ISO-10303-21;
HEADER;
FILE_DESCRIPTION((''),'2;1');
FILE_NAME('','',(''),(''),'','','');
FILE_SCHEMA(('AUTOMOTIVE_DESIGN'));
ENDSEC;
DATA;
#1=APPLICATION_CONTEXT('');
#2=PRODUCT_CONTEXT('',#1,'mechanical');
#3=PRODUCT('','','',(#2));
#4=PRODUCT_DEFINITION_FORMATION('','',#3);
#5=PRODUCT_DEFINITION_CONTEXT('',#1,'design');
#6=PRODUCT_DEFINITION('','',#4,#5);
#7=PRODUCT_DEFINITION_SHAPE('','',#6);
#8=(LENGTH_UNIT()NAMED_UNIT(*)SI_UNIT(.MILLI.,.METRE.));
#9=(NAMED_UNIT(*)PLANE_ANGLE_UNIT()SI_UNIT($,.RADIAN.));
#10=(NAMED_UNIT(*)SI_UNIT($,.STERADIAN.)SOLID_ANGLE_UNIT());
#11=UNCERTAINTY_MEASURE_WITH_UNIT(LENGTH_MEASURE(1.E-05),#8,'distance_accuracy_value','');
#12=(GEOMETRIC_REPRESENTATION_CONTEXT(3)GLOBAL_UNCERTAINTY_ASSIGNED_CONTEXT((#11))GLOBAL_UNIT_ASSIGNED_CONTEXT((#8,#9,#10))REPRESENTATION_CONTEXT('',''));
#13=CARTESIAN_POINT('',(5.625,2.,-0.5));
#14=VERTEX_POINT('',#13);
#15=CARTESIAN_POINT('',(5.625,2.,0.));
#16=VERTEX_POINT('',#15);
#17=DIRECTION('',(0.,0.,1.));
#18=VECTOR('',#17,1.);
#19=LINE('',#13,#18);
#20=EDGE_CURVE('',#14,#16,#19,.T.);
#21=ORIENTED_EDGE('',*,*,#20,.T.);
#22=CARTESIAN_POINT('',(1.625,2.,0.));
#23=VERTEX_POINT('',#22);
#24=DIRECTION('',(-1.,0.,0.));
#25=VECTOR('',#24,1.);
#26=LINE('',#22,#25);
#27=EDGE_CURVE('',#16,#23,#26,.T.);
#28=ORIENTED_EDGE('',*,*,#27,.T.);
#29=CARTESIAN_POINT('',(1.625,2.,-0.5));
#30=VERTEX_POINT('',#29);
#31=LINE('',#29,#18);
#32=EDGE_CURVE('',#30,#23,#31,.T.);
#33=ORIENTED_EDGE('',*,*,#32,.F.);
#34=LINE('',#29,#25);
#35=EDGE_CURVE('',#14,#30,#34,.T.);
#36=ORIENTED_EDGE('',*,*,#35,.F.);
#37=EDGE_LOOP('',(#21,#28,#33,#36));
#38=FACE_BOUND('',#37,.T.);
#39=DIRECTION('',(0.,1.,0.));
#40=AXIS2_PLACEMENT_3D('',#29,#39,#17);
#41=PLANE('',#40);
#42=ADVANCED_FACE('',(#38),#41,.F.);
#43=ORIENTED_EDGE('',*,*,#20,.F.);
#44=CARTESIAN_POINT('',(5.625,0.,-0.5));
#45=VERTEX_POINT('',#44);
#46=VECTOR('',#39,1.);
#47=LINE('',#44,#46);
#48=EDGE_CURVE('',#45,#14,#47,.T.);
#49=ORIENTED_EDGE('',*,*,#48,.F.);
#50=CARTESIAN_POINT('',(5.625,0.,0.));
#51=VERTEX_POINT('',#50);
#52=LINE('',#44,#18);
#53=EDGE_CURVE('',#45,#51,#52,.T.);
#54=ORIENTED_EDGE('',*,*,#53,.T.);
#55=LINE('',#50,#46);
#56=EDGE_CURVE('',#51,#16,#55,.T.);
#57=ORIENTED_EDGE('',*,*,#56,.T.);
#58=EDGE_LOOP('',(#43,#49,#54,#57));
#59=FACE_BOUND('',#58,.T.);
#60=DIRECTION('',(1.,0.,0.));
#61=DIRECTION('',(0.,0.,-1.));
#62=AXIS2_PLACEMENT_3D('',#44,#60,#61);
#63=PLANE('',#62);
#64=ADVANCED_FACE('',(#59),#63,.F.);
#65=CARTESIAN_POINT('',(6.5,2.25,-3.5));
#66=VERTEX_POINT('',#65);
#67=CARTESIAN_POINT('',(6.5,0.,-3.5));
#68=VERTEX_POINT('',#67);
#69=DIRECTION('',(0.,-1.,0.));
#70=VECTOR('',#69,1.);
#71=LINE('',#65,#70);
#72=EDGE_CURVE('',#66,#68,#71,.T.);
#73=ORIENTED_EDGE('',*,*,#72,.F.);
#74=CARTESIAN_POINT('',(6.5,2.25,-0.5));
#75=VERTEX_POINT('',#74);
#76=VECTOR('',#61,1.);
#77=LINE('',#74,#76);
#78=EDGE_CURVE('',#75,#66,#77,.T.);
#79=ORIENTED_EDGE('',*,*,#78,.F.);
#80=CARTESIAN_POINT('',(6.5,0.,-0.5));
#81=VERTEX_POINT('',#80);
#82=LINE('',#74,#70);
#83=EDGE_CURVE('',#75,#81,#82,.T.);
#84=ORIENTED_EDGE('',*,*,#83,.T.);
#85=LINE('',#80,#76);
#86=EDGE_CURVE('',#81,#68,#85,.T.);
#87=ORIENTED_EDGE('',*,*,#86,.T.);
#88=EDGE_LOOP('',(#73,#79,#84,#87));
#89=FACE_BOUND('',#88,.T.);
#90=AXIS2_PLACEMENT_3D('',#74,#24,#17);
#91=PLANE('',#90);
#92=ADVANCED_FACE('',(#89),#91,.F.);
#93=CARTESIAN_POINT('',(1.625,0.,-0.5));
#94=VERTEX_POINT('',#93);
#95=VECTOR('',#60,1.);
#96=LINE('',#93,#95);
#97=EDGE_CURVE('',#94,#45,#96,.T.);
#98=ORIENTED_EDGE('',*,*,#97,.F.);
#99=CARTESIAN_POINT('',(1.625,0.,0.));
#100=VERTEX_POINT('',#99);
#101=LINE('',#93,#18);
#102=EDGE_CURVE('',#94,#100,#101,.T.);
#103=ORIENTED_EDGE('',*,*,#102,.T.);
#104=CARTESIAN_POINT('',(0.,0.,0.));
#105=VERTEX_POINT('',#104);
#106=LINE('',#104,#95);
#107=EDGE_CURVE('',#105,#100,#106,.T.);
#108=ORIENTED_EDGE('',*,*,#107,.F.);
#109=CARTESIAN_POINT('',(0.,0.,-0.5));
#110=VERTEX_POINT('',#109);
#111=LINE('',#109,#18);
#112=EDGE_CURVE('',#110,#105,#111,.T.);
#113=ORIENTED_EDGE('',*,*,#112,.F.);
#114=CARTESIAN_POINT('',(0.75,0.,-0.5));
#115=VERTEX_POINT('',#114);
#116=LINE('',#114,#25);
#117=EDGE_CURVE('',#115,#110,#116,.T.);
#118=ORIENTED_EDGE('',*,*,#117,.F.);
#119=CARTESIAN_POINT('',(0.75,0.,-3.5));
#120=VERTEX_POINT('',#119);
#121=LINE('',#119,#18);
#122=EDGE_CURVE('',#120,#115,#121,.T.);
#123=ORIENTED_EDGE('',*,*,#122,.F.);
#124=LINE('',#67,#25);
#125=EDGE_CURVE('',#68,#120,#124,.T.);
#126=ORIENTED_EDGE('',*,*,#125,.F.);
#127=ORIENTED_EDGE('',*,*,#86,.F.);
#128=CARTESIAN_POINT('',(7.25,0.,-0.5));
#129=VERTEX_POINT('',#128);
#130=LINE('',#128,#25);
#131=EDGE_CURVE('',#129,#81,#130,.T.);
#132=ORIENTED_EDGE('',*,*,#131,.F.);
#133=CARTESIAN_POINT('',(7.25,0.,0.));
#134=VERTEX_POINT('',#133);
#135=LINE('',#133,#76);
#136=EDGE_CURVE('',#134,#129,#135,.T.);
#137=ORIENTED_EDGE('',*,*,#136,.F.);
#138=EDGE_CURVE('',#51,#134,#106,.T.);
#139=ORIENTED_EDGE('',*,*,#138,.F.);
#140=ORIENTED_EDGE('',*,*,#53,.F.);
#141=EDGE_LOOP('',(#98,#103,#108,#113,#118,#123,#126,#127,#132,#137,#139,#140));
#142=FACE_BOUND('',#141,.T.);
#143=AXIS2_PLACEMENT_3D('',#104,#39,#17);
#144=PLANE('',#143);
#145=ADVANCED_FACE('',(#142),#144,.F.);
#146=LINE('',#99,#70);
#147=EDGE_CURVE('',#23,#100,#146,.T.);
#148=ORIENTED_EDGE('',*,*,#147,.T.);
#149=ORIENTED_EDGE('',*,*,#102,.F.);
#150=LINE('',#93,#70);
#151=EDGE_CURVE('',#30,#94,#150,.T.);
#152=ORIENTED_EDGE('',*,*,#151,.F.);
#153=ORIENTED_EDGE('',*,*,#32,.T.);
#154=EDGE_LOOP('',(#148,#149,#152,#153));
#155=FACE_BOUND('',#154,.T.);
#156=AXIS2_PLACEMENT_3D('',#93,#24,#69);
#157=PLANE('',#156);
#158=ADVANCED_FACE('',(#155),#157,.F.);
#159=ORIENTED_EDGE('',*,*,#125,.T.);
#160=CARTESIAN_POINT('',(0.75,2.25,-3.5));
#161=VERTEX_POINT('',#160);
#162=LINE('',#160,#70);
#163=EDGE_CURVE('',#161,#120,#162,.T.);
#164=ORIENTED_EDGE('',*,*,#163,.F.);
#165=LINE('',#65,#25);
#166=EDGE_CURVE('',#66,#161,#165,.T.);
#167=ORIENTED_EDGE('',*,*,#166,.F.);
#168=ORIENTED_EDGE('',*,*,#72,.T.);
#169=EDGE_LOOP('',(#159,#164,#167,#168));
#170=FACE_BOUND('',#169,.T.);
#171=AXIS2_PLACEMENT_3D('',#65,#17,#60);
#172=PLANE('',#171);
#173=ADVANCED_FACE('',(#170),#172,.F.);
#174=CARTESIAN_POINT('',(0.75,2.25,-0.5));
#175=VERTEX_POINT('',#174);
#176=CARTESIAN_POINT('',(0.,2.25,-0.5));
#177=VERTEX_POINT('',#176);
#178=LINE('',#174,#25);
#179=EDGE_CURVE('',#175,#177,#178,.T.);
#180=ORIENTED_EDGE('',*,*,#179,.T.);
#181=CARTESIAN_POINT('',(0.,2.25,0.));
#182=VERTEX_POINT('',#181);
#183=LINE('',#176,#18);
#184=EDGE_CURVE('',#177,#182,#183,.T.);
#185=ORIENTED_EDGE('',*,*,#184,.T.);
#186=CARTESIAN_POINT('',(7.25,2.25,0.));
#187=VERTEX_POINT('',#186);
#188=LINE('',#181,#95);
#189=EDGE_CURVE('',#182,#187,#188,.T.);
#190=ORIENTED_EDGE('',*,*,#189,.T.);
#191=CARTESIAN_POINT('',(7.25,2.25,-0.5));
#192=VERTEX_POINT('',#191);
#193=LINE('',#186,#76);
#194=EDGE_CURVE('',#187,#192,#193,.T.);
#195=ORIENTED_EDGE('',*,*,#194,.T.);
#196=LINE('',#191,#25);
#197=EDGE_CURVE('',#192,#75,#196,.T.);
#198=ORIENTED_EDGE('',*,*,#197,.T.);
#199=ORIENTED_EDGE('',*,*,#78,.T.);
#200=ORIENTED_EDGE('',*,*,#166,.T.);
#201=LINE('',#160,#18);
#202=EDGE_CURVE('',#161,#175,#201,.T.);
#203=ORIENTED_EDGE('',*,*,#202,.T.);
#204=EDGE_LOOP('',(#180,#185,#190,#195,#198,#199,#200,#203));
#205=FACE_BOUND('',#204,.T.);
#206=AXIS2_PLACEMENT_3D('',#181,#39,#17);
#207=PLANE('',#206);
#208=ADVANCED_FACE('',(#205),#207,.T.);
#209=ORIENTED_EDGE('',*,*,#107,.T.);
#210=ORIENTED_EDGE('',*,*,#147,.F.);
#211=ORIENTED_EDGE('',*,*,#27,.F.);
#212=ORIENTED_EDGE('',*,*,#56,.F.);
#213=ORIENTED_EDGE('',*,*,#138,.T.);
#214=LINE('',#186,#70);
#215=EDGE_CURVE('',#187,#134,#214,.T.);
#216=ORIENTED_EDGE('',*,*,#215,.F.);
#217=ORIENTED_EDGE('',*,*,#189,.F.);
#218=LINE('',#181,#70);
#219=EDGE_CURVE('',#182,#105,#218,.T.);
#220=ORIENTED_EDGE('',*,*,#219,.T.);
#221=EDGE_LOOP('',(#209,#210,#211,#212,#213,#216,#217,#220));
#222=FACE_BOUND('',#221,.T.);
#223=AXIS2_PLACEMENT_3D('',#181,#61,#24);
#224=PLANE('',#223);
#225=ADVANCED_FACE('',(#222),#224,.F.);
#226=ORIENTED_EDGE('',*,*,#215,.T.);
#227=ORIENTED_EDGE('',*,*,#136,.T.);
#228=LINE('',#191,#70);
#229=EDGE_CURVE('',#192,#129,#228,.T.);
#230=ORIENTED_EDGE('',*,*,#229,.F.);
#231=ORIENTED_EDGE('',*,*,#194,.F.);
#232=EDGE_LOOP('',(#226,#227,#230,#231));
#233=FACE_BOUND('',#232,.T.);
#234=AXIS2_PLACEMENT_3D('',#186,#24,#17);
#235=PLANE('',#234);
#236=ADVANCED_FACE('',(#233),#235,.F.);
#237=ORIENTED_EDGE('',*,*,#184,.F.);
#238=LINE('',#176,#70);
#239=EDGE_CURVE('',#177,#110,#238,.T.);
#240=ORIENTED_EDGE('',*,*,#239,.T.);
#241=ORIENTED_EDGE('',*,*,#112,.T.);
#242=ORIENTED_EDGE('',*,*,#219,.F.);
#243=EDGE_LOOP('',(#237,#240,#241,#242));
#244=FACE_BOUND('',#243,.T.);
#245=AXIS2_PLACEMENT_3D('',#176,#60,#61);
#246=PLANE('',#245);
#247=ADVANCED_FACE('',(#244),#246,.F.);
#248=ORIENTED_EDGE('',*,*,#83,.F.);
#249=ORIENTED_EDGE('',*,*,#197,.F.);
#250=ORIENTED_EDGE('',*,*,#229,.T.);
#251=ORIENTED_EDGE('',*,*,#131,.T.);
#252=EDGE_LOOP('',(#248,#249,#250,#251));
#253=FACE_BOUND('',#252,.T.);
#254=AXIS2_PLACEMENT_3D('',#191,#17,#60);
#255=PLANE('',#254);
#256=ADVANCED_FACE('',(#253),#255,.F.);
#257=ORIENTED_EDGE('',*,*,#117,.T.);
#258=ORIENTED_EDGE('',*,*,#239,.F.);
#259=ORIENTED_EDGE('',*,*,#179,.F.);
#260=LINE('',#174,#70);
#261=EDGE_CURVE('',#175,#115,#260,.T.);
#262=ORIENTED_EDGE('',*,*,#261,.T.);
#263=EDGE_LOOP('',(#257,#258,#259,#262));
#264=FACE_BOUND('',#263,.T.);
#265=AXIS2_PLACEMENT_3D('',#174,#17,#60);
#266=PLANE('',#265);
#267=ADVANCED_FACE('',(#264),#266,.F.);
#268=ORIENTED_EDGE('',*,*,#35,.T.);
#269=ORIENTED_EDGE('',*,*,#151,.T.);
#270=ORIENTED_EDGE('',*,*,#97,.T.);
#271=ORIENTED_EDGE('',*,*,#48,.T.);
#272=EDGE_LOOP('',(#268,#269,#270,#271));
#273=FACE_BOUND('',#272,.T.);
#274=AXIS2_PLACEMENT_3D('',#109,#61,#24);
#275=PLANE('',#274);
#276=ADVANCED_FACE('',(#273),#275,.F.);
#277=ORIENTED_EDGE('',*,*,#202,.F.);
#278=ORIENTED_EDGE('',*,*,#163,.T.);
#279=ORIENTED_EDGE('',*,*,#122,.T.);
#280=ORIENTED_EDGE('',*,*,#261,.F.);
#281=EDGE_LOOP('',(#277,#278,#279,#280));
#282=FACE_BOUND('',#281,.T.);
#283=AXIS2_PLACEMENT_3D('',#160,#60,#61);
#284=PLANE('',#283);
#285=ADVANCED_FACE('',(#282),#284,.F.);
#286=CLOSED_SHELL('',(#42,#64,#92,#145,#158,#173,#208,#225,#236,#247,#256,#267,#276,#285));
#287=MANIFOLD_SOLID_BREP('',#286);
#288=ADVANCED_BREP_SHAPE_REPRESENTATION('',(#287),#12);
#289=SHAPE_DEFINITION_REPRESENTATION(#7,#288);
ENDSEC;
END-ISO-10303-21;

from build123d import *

# Parameters (mm, degrees)
BOSS_EXTRUDE1_DEPTH = 2.25
SKETCH2_W           = 4
SKETCH2_H           = 2
CUT_EXTRUDE1_DEPTH  = 0.5


with BuildPart() as part:
    # Sketch1 → Boss-Extrude1 (new body)
    with BuildSketch(Plane(origin=(0, 0, 0), x_dir=(1, 0, 0), z_dir=(0, 1, 0))):
        Polygon((0, 0), (7.25, 0), (7.25, 0.5), (6.5, 0.5), (6.5, 3.5), (0.75, 3.5), (0.75, 0.5), (0, 0.5), align=None)
    extrude(amount=BOSS_EXTRUDE1_DEPTH)

    # Sketch2 → Cut-Extrude1 (cut)
    with BuildSketch(Plane.XY):
        with Locations((3.625, 1)):
            Rectangle(SKETCH2_W, SKETCH2_H)
    extrude(amount=-CUT_EXTRUDE1_DEPTH, mode=Mode.SUBTRACT)


solid = part.part
